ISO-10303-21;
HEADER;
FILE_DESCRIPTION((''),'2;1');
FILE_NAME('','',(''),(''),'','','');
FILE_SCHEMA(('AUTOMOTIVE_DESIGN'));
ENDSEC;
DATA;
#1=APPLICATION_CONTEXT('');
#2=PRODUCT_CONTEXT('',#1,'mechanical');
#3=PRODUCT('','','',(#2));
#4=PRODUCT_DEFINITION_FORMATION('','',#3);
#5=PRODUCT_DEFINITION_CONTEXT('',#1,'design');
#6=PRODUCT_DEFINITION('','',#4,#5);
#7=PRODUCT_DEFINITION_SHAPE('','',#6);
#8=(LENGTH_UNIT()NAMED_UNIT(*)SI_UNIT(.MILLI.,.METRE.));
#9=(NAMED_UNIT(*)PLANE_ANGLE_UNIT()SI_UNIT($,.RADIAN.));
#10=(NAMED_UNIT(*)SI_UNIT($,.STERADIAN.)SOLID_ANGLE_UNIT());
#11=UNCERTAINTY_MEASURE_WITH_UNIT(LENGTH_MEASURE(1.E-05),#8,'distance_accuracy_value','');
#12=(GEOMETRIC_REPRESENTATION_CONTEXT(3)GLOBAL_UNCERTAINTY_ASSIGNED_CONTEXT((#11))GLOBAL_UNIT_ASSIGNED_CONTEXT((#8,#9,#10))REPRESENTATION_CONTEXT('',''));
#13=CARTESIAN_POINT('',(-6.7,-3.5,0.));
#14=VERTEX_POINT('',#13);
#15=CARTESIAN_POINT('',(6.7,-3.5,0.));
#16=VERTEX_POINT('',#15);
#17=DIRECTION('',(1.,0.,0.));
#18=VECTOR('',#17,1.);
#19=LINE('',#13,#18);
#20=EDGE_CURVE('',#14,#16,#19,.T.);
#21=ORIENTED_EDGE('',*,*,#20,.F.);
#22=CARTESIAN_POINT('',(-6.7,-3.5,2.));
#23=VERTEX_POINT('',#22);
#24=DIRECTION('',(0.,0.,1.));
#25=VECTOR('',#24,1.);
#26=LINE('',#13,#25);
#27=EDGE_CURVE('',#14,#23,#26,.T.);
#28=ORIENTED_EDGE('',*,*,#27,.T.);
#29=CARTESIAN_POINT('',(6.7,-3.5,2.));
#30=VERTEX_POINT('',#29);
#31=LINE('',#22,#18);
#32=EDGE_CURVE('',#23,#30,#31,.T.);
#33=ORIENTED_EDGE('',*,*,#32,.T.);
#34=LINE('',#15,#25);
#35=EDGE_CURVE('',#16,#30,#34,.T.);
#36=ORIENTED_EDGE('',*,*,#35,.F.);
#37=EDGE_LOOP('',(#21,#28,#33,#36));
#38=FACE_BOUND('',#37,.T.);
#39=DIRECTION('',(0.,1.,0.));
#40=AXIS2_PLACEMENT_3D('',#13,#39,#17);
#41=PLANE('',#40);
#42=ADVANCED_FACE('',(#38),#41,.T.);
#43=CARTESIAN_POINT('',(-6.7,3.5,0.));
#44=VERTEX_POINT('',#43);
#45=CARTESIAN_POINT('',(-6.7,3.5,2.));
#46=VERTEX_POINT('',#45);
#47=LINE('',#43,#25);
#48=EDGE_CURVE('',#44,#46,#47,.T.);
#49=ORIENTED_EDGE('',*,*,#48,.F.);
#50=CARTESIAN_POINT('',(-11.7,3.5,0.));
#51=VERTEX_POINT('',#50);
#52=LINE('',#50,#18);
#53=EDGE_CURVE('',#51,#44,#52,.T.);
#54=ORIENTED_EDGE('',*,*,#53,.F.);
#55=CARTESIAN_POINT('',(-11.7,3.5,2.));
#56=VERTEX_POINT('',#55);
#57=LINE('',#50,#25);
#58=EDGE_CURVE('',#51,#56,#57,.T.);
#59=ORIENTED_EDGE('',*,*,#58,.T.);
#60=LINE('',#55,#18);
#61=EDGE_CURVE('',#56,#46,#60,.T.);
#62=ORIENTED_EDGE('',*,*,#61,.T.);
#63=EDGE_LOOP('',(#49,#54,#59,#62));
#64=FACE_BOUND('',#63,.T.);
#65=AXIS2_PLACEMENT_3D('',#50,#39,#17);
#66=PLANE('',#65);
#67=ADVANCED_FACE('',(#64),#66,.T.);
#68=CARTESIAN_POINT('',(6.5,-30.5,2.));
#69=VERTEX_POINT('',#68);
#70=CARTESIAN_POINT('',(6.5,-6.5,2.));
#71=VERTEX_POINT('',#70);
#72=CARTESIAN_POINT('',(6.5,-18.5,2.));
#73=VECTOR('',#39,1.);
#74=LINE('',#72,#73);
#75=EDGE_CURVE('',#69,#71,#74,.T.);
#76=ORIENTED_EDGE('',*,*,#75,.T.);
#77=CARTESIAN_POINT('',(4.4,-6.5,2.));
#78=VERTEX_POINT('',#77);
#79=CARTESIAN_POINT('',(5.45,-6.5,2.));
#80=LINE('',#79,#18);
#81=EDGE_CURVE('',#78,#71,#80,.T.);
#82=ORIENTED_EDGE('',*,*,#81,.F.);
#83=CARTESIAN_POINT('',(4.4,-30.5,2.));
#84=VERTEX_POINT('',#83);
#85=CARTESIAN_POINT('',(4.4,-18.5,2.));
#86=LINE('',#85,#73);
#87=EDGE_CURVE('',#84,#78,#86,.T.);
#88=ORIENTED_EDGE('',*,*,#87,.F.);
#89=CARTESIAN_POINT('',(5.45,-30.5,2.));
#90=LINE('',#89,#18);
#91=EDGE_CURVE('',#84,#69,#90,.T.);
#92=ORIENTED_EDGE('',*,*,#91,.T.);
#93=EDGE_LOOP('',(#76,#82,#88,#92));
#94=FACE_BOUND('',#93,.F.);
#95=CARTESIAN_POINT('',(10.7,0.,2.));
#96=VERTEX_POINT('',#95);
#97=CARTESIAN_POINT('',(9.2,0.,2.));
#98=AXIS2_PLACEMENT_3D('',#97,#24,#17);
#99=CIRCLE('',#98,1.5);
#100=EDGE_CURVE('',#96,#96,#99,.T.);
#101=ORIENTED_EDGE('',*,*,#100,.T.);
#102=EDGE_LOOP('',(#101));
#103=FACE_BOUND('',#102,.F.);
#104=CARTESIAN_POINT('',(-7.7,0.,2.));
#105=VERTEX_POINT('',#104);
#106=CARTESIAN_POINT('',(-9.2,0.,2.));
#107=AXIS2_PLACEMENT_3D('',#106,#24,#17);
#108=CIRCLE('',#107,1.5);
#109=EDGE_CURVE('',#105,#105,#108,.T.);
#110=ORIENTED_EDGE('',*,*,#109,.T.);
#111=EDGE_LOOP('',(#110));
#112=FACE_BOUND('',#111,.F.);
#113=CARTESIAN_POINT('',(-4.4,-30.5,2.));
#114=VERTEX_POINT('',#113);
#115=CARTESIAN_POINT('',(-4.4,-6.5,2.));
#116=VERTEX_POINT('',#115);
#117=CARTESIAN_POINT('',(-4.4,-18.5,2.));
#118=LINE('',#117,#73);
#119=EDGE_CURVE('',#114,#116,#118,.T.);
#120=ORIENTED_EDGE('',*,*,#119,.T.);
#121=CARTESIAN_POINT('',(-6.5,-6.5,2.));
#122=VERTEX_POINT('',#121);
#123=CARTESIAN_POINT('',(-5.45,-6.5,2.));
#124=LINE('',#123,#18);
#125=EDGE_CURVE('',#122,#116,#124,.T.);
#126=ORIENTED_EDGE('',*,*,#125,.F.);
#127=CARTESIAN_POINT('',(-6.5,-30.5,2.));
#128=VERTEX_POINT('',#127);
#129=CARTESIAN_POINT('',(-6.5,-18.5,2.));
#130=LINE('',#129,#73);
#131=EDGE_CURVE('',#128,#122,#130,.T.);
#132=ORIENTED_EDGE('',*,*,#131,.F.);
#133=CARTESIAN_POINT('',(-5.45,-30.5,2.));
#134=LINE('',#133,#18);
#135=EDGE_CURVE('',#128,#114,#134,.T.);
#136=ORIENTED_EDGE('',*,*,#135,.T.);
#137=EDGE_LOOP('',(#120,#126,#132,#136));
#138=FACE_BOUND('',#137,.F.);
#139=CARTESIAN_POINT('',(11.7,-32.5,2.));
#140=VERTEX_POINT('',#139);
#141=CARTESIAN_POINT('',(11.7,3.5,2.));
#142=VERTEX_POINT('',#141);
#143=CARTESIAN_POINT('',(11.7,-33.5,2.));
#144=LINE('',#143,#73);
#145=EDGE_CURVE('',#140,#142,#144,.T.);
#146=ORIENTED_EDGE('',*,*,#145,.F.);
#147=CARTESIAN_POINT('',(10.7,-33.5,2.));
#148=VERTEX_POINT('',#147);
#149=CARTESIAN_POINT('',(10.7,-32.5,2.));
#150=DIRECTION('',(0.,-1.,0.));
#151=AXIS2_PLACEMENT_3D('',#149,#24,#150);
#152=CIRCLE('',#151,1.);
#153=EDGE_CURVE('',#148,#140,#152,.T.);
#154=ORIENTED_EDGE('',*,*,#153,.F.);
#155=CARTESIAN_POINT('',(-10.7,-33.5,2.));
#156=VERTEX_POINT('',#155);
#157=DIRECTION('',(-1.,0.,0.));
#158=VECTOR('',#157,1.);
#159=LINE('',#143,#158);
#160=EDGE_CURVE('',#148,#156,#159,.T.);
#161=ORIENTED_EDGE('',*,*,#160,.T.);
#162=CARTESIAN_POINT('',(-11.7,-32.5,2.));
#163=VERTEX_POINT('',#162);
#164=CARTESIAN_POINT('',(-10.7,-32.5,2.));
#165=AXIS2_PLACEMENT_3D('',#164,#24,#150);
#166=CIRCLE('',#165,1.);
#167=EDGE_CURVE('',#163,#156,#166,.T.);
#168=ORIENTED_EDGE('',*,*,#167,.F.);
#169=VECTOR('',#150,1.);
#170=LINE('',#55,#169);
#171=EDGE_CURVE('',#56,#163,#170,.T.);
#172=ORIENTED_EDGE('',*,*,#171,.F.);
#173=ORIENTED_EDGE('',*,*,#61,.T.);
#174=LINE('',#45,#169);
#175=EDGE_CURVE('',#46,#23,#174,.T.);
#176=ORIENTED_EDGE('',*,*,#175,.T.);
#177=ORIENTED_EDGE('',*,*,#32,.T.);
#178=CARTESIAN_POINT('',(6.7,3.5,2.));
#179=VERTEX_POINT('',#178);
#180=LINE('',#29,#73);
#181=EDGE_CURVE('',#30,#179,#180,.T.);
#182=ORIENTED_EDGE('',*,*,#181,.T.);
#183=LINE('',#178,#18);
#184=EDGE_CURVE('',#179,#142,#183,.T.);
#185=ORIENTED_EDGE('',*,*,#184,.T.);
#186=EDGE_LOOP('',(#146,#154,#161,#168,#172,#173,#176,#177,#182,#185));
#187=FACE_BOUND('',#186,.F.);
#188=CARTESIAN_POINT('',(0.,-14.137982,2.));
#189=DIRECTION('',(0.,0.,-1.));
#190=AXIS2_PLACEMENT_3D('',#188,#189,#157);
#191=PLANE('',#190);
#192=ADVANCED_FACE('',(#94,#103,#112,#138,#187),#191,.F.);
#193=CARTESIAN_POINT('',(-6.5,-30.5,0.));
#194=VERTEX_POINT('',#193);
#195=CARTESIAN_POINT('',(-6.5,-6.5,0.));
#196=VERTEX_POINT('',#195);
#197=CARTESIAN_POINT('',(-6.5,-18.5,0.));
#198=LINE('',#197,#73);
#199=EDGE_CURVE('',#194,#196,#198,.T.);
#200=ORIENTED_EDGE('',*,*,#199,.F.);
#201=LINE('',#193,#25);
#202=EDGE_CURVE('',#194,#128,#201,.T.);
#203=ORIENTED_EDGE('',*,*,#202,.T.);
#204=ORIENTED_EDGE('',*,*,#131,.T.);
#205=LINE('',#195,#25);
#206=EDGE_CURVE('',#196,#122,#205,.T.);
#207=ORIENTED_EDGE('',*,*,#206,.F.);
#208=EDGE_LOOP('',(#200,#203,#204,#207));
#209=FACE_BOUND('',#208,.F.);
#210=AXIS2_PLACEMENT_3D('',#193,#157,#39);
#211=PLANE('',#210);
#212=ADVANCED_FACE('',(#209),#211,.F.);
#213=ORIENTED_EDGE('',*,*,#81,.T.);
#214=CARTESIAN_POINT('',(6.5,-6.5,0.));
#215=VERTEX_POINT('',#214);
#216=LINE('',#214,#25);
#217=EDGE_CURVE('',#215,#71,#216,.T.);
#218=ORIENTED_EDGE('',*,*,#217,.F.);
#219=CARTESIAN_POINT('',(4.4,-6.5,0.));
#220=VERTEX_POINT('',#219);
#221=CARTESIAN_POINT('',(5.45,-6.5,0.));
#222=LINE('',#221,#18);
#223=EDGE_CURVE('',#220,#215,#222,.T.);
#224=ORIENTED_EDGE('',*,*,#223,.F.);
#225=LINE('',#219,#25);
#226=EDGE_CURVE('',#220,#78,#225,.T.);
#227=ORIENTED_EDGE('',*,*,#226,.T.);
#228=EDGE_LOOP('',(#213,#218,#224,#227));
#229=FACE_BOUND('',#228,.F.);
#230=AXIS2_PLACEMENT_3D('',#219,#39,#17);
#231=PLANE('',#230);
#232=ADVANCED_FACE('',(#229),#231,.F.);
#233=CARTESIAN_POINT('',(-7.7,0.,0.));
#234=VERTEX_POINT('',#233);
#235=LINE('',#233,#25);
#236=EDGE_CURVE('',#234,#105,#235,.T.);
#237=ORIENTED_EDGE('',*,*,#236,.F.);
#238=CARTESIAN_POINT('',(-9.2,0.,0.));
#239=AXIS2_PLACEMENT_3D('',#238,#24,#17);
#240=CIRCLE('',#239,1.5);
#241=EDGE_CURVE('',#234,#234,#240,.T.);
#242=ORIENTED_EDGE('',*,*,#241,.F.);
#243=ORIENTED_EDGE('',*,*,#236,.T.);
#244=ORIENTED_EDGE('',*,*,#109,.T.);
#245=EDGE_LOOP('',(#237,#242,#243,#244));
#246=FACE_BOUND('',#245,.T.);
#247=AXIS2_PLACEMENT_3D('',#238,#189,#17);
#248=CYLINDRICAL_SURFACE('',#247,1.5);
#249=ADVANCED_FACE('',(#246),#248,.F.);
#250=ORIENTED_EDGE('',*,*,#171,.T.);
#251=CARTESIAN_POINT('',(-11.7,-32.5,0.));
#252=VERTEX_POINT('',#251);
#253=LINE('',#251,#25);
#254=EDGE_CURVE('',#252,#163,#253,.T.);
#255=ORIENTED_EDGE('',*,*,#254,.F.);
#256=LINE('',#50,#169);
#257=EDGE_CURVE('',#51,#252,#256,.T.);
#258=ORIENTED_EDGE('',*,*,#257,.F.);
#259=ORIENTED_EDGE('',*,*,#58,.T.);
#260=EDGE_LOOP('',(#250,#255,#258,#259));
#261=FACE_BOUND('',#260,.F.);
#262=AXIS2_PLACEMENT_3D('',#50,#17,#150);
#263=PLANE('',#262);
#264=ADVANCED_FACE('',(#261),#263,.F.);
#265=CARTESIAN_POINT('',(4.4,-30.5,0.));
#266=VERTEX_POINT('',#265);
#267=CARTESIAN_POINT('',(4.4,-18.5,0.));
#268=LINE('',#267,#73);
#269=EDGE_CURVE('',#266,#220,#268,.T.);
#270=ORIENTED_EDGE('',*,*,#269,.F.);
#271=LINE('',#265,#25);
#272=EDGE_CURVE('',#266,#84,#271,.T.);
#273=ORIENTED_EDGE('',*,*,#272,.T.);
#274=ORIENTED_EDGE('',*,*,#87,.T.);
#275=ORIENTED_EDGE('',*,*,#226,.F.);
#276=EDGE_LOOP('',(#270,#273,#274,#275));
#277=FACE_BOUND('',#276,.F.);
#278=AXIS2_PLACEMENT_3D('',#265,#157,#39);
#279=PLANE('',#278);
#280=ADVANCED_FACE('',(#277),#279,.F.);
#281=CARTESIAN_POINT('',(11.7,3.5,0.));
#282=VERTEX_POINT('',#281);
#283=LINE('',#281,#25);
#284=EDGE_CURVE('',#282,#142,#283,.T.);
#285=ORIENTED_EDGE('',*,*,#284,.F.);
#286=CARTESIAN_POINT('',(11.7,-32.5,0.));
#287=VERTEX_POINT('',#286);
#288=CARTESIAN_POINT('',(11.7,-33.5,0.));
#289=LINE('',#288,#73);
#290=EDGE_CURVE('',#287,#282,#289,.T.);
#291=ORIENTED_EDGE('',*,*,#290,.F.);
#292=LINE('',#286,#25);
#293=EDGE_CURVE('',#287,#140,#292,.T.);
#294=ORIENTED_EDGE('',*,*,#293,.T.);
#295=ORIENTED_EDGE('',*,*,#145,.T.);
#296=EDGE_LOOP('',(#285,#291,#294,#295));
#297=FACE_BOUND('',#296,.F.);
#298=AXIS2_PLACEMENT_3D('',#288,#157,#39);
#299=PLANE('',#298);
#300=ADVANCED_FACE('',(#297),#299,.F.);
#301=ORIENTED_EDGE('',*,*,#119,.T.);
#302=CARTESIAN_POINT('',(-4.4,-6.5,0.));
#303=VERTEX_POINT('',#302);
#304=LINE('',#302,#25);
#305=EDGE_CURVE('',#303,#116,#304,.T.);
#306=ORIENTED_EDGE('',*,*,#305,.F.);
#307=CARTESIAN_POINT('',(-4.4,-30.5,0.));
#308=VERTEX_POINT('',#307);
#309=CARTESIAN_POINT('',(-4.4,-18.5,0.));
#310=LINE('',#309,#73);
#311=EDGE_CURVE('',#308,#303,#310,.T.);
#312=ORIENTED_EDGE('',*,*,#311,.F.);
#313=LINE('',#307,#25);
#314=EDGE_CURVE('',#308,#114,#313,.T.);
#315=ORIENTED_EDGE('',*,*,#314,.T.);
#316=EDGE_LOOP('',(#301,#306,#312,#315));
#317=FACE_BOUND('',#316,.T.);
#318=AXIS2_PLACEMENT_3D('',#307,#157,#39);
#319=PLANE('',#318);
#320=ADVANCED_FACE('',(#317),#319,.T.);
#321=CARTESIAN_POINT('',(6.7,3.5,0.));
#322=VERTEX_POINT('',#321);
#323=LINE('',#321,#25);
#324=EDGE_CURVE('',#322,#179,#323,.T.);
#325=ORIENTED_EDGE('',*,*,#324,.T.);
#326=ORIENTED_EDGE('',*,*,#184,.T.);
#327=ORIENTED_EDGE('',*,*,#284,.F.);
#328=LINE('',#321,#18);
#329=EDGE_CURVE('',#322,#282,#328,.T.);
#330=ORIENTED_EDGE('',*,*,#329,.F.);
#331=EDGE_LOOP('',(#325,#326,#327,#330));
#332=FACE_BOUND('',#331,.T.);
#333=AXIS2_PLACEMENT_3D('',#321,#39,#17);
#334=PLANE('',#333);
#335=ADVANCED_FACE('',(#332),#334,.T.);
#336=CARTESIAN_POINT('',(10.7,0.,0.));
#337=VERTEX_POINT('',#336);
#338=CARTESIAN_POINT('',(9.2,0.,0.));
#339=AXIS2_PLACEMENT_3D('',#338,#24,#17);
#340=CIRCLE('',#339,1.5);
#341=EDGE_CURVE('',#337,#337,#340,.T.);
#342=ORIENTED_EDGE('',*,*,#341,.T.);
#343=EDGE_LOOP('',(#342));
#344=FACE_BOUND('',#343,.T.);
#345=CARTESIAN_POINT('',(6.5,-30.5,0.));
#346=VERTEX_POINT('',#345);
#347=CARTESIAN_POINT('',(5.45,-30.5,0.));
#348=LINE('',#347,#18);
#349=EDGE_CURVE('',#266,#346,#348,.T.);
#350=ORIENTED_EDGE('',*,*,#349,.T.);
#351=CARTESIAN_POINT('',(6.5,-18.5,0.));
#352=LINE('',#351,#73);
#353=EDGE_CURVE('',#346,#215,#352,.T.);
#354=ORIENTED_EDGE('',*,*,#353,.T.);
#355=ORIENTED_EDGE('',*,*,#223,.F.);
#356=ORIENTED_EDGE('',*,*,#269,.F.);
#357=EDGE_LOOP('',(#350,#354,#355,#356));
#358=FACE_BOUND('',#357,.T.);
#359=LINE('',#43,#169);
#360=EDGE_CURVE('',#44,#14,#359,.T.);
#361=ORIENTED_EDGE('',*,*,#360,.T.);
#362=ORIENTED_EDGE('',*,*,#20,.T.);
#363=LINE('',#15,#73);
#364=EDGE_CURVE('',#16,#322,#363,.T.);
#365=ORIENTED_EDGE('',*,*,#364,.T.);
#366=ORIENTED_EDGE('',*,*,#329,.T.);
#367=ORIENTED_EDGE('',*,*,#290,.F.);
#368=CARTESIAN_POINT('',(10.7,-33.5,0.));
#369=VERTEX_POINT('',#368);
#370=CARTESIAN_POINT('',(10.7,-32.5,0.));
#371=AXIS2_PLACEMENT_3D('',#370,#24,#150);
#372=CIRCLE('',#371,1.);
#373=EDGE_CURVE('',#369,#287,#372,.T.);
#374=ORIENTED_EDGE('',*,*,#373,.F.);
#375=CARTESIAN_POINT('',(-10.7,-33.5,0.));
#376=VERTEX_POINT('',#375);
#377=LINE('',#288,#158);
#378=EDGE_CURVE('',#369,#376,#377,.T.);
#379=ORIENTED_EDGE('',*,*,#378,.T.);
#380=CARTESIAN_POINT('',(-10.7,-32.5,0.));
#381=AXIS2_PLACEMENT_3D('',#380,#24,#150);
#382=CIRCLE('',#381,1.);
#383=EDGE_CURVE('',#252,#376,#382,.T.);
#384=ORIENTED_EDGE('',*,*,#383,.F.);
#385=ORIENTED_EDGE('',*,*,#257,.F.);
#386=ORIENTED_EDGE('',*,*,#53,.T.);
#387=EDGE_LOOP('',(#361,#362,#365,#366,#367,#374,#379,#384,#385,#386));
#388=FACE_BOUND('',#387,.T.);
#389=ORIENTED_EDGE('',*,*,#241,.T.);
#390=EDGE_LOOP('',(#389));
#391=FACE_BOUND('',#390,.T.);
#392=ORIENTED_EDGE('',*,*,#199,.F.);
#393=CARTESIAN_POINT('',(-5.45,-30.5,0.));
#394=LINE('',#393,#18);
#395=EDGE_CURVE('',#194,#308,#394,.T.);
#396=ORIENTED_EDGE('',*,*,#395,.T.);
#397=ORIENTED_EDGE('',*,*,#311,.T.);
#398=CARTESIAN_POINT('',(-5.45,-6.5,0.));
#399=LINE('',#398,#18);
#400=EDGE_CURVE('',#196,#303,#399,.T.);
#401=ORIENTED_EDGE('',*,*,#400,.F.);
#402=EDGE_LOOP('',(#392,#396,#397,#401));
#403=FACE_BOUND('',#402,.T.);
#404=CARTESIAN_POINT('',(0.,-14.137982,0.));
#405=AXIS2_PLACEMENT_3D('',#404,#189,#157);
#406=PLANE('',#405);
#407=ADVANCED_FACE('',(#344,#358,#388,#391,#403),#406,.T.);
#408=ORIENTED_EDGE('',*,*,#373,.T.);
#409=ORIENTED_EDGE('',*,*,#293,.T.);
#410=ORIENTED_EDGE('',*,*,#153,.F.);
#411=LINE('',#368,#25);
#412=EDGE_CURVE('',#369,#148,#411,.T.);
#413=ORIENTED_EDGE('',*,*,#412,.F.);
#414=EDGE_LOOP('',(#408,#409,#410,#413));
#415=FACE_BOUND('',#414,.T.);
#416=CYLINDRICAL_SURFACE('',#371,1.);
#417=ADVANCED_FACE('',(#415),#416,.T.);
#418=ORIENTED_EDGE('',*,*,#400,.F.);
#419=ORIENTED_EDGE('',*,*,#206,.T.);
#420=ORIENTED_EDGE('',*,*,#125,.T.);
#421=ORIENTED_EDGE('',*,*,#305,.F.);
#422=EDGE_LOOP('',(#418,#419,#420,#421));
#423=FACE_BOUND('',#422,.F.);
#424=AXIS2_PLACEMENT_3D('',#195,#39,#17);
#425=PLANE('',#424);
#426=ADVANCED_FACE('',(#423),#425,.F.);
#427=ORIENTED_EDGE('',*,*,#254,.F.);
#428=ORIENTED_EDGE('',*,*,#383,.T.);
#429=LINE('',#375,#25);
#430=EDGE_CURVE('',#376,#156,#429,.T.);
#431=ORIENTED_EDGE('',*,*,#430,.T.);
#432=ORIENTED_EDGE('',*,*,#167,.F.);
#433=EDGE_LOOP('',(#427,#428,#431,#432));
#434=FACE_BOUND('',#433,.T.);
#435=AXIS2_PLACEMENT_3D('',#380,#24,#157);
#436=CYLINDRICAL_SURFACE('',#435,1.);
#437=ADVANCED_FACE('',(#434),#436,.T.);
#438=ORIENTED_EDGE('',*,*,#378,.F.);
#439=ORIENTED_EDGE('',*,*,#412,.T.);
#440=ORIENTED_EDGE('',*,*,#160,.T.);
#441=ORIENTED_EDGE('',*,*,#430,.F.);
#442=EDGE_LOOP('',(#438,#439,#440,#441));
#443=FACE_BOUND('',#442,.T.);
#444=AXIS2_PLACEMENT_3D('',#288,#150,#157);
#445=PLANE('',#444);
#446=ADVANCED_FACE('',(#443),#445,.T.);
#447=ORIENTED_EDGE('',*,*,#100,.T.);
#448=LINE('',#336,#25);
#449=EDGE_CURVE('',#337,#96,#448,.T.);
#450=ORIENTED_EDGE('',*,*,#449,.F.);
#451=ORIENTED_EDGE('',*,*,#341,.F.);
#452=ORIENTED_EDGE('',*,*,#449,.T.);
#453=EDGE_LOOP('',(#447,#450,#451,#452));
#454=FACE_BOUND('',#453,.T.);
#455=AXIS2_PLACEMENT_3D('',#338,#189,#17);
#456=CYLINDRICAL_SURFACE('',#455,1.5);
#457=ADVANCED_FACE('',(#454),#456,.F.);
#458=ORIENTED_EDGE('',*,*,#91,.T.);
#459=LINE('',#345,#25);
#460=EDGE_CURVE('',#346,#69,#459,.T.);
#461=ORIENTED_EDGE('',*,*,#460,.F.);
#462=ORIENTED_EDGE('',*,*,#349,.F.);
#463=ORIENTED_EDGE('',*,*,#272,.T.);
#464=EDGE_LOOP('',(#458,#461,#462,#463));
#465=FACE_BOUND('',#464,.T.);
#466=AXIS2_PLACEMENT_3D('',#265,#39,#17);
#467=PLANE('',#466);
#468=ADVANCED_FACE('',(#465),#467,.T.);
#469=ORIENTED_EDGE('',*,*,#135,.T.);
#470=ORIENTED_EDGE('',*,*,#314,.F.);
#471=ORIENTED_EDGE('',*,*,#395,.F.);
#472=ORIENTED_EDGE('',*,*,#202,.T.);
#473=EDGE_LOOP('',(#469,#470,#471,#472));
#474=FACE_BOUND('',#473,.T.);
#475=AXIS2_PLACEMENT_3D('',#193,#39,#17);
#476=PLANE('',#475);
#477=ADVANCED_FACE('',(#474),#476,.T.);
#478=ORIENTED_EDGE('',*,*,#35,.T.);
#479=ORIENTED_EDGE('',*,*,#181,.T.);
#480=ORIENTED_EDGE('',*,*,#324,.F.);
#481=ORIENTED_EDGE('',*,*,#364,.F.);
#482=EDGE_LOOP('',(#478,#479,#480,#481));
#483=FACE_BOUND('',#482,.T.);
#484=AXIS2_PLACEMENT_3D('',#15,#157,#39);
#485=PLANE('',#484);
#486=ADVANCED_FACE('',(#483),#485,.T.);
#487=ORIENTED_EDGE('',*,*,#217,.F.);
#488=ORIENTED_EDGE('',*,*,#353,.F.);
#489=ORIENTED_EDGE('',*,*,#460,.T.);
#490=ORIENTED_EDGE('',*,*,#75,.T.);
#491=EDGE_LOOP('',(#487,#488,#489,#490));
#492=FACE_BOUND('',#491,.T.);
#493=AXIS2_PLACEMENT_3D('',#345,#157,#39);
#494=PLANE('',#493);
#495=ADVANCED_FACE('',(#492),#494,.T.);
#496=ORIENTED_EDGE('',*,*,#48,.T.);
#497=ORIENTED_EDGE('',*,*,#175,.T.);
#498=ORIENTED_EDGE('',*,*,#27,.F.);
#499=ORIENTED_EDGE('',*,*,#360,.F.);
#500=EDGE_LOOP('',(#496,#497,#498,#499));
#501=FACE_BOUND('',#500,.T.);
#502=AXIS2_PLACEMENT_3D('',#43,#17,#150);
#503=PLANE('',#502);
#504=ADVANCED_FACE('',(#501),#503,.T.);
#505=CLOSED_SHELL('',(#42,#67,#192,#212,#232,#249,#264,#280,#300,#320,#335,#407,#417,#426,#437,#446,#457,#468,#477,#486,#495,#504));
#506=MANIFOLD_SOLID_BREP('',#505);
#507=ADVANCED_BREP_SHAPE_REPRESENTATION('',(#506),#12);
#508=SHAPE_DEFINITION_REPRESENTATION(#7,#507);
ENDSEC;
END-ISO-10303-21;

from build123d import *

# Parameters (mm, degrees)
SKETCH_R  = 1.5
SKETCH_W  = 2.1
SKETCH_H  = 24
PAD_DEPTH = 2
FILLET_R  = 1


with BuildPart() as part:
    # Sketch → Pad (new body)
    with BuildSketch(Plane.XY):
        Polygon((-11.7, 3.5), (-6.7, 3.5), (-6.7, -3.5), (6.7, -3.5), (6.7, 3.5), (11.7, 3.5), (11.7, -3.5), (11.7, -33.5), (-11.7, -33.5), (-11.7, -3.5), align=None)
        with Locations((-9.2, 0)):
            Circle(SKETCH_R, mode=Mode.SUBTRACT)
        with Locations((9.2, 0)):
            Circle(SKETCH_R, mode=Mode.SUBTRACT)
        with Locations((-5.45, -18.5)):
            Rectangle(SKETCH_W, SKETCH_H, mode=Mode.SUBTRACT)
        with Locations((5.45, -18.5)):
            Rectangle(SKETCH_W, SKETCH_H, mode=Mode.SUBTRACT)
    extrude(amount=PAD_DEPTH)

    # Fillet
    fillet_edges = [part.edges().sort_by_distance(p)[0] for p in [
        (-11.7, -33.5, 1),
        (11.7, -33.5, 1),
    ]]
    fillet(fillet_edges, radius=FILLET_R)


solid = part.part
